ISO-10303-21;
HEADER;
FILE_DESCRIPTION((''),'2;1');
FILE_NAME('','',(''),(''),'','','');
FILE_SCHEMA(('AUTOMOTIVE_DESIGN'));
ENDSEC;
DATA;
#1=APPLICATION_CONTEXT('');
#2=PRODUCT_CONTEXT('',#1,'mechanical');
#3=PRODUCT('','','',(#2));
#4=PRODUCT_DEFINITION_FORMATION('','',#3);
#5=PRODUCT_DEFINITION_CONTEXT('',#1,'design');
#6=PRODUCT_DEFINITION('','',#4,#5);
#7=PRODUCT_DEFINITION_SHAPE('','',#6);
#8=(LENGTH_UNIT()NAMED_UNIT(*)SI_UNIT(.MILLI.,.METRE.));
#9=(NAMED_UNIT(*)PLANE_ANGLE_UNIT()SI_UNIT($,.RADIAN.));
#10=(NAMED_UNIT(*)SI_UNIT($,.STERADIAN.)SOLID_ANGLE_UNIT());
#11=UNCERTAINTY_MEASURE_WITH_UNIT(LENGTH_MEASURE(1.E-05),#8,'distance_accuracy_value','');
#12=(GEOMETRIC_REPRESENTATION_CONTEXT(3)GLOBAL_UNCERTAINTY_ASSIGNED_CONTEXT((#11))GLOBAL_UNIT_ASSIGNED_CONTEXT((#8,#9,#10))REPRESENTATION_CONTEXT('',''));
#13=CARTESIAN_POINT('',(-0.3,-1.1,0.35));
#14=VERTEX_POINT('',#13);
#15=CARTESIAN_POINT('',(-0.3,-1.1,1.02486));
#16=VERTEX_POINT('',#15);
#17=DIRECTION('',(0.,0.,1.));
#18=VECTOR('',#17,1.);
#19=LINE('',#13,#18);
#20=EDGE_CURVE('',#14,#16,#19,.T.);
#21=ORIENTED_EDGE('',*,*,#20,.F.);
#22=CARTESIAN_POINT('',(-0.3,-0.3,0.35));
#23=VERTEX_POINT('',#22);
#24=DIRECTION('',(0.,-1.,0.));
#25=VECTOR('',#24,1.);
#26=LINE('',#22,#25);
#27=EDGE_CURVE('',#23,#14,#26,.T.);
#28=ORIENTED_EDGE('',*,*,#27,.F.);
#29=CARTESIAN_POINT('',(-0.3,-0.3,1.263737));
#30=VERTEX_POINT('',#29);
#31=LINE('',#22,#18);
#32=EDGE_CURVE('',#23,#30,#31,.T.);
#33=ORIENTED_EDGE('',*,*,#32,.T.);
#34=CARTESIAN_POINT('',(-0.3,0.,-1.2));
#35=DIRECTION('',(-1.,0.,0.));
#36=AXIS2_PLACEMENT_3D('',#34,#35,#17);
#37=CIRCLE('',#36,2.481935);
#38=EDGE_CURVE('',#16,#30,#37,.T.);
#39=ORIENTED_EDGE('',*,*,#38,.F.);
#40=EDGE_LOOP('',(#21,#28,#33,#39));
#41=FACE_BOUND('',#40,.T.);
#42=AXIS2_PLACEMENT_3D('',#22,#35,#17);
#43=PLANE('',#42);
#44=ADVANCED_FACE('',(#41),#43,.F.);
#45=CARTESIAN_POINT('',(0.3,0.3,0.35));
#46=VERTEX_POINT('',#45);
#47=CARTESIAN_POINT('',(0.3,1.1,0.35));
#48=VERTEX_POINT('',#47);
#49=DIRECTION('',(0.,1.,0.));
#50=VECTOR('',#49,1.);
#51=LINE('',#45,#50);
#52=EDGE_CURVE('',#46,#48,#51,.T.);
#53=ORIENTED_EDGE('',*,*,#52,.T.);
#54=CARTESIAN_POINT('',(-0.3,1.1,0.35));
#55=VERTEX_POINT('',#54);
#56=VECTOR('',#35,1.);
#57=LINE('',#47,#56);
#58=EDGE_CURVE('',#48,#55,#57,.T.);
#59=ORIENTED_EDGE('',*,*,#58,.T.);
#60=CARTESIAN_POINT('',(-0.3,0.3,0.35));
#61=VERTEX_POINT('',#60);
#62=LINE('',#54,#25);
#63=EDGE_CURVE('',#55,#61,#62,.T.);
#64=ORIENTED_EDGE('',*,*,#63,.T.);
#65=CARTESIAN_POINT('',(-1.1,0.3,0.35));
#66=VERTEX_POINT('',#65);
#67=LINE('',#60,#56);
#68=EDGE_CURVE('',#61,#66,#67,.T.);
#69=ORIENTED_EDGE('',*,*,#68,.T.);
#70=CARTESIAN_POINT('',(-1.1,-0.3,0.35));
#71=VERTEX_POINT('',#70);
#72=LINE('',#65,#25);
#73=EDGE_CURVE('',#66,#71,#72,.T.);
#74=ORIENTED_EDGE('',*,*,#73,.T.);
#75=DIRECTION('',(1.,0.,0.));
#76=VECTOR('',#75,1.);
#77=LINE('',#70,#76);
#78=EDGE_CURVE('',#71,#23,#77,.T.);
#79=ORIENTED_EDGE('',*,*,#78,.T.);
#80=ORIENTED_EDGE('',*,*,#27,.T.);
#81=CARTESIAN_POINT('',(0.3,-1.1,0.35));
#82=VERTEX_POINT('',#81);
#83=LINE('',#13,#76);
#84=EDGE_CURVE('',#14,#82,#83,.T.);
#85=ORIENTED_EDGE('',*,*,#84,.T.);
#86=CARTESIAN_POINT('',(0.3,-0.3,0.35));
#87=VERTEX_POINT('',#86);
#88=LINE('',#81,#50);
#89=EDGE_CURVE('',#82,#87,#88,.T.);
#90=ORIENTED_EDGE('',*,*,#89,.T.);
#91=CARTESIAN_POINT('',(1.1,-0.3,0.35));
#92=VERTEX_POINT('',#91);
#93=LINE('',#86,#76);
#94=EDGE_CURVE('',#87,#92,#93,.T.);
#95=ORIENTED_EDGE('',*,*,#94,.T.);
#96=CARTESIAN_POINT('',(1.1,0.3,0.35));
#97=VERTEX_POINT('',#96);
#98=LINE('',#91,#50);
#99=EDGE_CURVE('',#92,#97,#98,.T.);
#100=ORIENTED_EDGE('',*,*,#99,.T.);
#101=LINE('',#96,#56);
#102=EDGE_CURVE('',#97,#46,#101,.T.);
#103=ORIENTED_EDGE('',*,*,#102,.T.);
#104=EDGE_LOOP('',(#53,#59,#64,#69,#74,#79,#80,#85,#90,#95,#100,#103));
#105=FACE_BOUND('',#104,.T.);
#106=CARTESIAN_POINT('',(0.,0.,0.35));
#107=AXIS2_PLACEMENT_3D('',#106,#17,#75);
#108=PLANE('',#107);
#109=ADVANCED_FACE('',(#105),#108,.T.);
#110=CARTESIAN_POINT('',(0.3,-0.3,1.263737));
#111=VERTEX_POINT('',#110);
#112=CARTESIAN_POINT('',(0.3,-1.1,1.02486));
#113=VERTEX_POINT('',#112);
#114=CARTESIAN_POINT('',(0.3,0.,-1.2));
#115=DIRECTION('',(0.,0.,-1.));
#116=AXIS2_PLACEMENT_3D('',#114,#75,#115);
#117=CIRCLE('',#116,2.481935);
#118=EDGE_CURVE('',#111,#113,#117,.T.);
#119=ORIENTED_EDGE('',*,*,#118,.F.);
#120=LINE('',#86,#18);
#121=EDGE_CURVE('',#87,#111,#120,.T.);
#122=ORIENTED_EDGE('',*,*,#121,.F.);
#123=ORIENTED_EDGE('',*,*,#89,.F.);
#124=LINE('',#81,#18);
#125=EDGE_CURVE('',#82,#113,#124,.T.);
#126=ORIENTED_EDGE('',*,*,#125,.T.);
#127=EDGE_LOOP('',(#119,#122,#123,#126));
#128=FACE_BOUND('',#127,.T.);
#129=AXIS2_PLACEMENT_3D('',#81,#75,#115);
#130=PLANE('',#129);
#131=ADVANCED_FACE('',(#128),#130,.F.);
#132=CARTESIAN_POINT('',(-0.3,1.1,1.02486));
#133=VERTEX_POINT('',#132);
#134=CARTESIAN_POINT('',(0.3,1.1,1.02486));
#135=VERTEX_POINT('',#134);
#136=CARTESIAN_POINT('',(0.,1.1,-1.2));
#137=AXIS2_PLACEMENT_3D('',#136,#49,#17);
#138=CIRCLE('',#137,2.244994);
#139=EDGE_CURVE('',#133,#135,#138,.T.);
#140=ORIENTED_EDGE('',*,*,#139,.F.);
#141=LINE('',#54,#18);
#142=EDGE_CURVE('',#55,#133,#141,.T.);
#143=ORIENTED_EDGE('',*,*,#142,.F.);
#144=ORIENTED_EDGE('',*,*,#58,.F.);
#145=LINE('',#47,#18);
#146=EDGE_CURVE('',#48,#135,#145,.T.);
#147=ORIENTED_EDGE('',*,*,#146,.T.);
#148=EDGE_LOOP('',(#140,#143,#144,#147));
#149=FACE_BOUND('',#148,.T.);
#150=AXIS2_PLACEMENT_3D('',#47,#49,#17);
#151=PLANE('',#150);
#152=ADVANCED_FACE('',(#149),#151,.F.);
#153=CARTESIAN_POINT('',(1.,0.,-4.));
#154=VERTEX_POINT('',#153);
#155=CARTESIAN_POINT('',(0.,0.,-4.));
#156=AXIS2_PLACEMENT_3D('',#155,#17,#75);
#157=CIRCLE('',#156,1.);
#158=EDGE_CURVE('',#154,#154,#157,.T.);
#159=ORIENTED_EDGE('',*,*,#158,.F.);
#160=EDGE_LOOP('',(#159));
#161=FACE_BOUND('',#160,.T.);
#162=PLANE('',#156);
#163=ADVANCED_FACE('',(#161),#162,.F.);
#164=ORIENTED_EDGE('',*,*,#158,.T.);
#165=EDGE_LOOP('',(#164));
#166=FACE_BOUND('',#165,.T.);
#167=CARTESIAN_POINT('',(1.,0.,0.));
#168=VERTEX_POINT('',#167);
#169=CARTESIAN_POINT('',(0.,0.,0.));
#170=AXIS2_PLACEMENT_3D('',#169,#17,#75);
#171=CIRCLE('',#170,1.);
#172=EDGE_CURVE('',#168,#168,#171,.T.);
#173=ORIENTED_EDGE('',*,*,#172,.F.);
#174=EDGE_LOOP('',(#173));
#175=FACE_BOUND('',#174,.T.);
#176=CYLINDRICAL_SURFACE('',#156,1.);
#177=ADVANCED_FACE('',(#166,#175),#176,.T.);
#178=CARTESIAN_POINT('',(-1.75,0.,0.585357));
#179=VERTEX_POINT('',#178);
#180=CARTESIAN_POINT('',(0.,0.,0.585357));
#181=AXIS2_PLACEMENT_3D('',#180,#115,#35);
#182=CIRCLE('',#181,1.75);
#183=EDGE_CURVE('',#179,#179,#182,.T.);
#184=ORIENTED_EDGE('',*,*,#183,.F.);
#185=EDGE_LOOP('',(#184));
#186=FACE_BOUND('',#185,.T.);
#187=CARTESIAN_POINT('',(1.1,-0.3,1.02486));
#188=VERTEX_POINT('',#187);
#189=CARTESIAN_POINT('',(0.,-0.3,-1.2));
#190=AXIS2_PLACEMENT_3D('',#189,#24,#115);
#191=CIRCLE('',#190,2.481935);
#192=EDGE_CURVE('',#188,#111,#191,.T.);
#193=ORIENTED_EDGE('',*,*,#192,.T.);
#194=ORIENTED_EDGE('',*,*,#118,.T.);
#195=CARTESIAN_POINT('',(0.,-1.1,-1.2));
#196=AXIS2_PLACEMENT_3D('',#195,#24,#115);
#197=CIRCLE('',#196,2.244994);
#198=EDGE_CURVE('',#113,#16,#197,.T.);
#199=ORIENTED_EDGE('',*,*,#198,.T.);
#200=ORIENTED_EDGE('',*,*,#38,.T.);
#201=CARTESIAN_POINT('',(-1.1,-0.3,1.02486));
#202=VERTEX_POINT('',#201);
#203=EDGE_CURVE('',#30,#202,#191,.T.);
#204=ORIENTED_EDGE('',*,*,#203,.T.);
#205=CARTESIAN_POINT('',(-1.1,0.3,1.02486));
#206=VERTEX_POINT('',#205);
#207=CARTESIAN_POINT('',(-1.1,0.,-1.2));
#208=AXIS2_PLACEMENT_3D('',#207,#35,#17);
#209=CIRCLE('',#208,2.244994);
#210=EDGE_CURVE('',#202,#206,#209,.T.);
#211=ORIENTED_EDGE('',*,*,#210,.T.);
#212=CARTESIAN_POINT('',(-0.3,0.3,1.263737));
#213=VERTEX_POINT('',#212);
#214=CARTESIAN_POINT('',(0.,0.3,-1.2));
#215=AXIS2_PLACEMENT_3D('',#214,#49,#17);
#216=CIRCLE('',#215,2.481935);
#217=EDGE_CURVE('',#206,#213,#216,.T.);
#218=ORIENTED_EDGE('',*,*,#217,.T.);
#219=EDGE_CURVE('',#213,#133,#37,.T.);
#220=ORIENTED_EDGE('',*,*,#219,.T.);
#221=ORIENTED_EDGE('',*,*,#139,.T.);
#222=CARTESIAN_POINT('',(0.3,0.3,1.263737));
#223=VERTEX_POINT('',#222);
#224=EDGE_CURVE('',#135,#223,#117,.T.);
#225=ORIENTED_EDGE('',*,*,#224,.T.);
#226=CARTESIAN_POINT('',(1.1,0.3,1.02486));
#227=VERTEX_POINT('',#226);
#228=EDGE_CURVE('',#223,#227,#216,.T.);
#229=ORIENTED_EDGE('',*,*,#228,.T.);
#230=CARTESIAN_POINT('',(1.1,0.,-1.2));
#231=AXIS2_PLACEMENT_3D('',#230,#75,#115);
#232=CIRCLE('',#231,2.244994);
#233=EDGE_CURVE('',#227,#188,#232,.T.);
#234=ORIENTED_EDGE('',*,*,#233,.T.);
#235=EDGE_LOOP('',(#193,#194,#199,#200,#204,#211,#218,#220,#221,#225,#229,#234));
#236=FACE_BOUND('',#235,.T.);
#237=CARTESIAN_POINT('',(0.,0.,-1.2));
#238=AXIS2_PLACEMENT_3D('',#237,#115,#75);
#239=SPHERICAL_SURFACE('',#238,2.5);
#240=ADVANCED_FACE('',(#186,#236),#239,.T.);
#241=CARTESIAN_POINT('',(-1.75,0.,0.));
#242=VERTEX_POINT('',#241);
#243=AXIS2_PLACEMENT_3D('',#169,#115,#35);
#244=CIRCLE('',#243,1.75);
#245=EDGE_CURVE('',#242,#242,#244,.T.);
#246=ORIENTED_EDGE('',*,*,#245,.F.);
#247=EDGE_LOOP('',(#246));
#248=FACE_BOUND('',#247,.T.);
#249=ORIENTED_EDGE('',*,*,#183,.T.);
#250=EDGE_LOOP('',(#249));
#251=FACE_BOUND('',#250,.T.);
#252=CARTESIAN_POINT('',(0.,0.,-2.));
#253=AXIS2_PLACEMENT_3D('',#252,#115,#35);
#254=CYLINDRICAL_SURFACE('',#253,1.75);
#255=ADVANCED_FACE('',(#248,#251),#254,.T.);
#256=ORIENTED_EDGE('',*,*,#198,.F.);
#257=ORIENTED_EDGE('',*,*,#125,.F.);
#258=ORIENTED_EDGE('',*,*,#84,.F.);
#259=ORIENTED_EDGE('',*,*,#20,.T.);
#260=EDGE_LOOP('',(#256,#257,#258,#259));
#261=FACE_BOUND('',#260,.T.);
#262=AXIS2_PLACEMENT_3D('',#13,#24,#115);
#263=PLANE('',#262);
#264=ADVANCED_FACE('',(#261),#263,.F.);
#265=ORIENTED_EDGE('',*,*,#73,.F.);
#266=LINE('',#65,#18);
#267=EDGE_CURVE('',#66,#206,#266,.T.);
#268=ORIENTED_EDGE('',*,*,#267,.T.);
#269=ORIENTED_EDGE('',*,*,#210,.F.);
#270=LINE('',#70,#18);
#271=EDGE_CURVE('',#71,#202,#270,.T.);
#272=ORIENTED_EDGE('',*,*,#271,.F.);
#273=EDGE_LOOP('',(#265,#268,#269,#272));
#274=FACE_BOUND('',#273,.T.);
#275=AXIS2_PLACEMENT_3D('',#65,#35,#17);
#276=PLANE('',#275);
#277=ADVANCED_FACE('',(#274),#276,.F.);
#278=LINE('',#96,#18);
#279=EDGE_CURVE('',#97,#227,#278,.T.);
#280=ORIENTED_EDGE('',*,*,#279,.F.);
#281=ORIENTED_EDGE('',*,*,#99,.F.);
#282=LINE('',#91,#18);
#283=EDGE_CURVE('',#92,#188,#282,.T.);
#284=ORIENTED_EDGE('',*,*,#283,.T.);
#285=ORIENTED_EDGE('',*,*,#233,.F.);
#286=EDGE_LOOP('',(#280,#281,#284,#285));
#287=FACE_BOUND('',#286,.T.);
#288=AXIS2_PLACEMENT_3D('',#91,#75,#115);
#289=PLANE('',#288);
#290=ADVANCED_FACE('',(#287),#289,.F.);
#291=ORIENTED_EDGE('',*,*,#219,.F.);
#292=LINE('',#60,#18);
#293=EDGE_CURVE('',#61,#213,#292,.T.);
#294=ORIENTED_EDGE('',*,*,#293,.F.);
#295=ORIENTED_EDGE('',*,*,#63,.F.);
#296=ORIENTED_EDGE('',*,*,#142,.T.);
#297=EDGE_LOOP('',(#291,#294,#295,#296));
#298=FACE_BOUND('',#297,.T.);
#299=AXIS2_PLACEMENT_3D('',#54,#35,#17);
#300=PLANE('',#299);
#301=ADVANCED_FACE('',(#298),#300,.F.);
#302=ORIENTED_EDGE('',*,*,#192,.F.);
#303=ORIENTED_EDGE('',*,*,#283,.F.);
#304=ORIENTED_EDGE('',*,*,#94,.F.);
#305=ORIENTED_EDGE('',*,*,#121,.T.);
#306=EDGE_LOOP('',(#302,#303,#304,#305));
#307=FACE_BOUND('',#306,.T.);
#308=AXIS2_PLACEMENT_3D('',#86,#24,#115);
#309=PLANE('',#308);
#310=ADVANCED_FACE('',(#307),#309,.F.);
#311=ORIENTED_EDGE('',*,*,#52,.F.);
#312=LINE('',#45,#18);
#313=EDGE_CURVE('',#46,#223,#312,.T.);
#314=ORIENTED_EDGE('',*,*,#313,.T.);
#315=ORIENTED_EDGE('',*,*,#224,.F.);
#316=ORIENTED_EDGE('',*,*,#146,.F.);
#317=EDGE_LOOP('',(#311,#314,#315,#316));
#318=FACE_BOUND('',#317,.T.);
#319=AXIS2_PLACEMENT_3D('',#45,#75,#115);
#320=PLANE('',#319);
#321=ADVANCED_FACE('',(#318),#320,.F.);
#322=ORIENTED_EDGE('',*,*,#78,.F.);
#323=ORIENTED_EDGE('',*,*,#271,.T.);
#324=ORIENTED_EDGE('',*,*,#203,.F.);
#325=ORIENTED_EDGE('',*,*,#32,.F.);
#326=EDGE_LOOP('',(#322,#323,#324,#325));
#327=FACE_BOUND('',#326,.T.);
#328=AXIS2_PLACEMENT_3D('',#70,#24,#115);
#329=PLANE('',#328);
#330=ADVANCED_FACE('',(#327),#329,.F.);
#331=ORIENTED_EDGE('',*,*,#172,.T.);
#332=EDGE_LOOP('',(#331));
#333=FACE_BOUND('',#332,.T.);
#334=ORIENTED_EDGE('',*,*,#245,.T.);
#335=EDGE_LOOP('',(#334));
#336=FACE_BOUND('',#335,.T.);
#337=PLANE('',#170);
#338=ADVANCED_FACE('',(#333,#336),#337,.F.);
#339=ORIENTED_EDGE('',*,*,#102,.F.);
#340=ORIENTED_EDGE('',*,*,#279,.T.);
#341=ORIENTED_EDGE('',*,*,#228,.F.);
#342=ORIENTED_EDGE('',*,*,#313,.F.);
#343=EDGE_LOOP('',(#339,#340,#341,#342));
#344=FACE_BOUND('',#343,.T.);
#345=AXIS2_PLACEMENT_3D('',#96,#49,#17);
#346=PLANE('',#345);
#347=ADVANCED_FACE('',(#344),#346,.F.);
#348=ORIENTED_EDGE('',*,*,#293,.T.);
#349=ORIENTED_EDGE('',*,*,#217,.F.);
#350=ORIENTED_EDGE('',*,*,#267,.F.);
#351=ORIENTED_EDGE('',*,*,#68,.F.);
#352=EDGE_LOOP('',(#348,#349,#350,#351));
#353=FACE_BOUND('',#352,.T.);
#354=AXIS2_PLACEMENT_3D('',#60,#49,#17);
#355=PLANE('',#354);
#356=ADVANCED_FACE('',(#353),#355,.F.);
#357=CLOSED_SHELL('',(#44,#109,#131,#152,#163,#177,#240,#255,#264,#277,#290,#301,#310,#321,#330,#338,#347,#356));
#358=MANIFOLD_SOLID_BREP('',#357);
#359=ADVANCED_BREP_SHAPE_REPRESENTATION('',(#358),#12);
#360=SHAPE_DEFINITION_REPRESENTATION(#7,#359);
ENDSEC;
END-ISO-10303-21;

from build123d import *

# Parameters (mm, degrees)
SKETCH_1_R        = 1
EXTRUDE_198_DEPTH = 4
PH1_START         = 1.31
PH1_DEPTH         = 0.96


with BuildPart() as part:
    # 草图1 → Extrude 198 (new body)
    with BuildSketch(Plane.XY):
        Circle(SKETCH_1_R)
    extrude(amount=-EXTRUDE_198_DEPTH)

    # 草图6 → Revolve 324 (revolve)
    with BuildSketch(Plane(origin=(0, 0, 0), x_dir=(1, 0, 0), z_dir=(0, 1, 0)), mode=Mode.PRIVATE) as revolve_324_sk:
        with BuildLine():
            Line((0, 0), (1.75, 0))
            Line((1.75, 0), (1.75, -0.585357107))
            ThreePointArc((1.75, -0.585357107), (0.945147404, -1.114453798), (0, -1.3))
            Line((0, -1.3), (0, 0))
        make_face()
    revolve(revolve_324_sk.sketch.rotate(Axis((0, 0, -2), (0, 0, 1)), 180), axis=Axis((0, 0, -2), (0, 0, 1)))

    # 草图7 → 十字槽_PH1_简化 (cut)
    with BuildSketch(Plane.XY.offset(PH1_START)):
        Polygon((-0.3, -1.1), (0.3, -1.1), (0.3, -0.3), (1.1, -0.3), (1.1, 0.3), (0.3, 0.3), (0.3, 1.1), (-0.3, 1.1), (-0.3, 0.3), (-1.1, 0.3), (-1.1, -0.3), (-0.3, -0.3), align=None)
    extrude(amount=-PH1_DEPTH, mode=Mode.SUBTRACT)


solid = part.part
